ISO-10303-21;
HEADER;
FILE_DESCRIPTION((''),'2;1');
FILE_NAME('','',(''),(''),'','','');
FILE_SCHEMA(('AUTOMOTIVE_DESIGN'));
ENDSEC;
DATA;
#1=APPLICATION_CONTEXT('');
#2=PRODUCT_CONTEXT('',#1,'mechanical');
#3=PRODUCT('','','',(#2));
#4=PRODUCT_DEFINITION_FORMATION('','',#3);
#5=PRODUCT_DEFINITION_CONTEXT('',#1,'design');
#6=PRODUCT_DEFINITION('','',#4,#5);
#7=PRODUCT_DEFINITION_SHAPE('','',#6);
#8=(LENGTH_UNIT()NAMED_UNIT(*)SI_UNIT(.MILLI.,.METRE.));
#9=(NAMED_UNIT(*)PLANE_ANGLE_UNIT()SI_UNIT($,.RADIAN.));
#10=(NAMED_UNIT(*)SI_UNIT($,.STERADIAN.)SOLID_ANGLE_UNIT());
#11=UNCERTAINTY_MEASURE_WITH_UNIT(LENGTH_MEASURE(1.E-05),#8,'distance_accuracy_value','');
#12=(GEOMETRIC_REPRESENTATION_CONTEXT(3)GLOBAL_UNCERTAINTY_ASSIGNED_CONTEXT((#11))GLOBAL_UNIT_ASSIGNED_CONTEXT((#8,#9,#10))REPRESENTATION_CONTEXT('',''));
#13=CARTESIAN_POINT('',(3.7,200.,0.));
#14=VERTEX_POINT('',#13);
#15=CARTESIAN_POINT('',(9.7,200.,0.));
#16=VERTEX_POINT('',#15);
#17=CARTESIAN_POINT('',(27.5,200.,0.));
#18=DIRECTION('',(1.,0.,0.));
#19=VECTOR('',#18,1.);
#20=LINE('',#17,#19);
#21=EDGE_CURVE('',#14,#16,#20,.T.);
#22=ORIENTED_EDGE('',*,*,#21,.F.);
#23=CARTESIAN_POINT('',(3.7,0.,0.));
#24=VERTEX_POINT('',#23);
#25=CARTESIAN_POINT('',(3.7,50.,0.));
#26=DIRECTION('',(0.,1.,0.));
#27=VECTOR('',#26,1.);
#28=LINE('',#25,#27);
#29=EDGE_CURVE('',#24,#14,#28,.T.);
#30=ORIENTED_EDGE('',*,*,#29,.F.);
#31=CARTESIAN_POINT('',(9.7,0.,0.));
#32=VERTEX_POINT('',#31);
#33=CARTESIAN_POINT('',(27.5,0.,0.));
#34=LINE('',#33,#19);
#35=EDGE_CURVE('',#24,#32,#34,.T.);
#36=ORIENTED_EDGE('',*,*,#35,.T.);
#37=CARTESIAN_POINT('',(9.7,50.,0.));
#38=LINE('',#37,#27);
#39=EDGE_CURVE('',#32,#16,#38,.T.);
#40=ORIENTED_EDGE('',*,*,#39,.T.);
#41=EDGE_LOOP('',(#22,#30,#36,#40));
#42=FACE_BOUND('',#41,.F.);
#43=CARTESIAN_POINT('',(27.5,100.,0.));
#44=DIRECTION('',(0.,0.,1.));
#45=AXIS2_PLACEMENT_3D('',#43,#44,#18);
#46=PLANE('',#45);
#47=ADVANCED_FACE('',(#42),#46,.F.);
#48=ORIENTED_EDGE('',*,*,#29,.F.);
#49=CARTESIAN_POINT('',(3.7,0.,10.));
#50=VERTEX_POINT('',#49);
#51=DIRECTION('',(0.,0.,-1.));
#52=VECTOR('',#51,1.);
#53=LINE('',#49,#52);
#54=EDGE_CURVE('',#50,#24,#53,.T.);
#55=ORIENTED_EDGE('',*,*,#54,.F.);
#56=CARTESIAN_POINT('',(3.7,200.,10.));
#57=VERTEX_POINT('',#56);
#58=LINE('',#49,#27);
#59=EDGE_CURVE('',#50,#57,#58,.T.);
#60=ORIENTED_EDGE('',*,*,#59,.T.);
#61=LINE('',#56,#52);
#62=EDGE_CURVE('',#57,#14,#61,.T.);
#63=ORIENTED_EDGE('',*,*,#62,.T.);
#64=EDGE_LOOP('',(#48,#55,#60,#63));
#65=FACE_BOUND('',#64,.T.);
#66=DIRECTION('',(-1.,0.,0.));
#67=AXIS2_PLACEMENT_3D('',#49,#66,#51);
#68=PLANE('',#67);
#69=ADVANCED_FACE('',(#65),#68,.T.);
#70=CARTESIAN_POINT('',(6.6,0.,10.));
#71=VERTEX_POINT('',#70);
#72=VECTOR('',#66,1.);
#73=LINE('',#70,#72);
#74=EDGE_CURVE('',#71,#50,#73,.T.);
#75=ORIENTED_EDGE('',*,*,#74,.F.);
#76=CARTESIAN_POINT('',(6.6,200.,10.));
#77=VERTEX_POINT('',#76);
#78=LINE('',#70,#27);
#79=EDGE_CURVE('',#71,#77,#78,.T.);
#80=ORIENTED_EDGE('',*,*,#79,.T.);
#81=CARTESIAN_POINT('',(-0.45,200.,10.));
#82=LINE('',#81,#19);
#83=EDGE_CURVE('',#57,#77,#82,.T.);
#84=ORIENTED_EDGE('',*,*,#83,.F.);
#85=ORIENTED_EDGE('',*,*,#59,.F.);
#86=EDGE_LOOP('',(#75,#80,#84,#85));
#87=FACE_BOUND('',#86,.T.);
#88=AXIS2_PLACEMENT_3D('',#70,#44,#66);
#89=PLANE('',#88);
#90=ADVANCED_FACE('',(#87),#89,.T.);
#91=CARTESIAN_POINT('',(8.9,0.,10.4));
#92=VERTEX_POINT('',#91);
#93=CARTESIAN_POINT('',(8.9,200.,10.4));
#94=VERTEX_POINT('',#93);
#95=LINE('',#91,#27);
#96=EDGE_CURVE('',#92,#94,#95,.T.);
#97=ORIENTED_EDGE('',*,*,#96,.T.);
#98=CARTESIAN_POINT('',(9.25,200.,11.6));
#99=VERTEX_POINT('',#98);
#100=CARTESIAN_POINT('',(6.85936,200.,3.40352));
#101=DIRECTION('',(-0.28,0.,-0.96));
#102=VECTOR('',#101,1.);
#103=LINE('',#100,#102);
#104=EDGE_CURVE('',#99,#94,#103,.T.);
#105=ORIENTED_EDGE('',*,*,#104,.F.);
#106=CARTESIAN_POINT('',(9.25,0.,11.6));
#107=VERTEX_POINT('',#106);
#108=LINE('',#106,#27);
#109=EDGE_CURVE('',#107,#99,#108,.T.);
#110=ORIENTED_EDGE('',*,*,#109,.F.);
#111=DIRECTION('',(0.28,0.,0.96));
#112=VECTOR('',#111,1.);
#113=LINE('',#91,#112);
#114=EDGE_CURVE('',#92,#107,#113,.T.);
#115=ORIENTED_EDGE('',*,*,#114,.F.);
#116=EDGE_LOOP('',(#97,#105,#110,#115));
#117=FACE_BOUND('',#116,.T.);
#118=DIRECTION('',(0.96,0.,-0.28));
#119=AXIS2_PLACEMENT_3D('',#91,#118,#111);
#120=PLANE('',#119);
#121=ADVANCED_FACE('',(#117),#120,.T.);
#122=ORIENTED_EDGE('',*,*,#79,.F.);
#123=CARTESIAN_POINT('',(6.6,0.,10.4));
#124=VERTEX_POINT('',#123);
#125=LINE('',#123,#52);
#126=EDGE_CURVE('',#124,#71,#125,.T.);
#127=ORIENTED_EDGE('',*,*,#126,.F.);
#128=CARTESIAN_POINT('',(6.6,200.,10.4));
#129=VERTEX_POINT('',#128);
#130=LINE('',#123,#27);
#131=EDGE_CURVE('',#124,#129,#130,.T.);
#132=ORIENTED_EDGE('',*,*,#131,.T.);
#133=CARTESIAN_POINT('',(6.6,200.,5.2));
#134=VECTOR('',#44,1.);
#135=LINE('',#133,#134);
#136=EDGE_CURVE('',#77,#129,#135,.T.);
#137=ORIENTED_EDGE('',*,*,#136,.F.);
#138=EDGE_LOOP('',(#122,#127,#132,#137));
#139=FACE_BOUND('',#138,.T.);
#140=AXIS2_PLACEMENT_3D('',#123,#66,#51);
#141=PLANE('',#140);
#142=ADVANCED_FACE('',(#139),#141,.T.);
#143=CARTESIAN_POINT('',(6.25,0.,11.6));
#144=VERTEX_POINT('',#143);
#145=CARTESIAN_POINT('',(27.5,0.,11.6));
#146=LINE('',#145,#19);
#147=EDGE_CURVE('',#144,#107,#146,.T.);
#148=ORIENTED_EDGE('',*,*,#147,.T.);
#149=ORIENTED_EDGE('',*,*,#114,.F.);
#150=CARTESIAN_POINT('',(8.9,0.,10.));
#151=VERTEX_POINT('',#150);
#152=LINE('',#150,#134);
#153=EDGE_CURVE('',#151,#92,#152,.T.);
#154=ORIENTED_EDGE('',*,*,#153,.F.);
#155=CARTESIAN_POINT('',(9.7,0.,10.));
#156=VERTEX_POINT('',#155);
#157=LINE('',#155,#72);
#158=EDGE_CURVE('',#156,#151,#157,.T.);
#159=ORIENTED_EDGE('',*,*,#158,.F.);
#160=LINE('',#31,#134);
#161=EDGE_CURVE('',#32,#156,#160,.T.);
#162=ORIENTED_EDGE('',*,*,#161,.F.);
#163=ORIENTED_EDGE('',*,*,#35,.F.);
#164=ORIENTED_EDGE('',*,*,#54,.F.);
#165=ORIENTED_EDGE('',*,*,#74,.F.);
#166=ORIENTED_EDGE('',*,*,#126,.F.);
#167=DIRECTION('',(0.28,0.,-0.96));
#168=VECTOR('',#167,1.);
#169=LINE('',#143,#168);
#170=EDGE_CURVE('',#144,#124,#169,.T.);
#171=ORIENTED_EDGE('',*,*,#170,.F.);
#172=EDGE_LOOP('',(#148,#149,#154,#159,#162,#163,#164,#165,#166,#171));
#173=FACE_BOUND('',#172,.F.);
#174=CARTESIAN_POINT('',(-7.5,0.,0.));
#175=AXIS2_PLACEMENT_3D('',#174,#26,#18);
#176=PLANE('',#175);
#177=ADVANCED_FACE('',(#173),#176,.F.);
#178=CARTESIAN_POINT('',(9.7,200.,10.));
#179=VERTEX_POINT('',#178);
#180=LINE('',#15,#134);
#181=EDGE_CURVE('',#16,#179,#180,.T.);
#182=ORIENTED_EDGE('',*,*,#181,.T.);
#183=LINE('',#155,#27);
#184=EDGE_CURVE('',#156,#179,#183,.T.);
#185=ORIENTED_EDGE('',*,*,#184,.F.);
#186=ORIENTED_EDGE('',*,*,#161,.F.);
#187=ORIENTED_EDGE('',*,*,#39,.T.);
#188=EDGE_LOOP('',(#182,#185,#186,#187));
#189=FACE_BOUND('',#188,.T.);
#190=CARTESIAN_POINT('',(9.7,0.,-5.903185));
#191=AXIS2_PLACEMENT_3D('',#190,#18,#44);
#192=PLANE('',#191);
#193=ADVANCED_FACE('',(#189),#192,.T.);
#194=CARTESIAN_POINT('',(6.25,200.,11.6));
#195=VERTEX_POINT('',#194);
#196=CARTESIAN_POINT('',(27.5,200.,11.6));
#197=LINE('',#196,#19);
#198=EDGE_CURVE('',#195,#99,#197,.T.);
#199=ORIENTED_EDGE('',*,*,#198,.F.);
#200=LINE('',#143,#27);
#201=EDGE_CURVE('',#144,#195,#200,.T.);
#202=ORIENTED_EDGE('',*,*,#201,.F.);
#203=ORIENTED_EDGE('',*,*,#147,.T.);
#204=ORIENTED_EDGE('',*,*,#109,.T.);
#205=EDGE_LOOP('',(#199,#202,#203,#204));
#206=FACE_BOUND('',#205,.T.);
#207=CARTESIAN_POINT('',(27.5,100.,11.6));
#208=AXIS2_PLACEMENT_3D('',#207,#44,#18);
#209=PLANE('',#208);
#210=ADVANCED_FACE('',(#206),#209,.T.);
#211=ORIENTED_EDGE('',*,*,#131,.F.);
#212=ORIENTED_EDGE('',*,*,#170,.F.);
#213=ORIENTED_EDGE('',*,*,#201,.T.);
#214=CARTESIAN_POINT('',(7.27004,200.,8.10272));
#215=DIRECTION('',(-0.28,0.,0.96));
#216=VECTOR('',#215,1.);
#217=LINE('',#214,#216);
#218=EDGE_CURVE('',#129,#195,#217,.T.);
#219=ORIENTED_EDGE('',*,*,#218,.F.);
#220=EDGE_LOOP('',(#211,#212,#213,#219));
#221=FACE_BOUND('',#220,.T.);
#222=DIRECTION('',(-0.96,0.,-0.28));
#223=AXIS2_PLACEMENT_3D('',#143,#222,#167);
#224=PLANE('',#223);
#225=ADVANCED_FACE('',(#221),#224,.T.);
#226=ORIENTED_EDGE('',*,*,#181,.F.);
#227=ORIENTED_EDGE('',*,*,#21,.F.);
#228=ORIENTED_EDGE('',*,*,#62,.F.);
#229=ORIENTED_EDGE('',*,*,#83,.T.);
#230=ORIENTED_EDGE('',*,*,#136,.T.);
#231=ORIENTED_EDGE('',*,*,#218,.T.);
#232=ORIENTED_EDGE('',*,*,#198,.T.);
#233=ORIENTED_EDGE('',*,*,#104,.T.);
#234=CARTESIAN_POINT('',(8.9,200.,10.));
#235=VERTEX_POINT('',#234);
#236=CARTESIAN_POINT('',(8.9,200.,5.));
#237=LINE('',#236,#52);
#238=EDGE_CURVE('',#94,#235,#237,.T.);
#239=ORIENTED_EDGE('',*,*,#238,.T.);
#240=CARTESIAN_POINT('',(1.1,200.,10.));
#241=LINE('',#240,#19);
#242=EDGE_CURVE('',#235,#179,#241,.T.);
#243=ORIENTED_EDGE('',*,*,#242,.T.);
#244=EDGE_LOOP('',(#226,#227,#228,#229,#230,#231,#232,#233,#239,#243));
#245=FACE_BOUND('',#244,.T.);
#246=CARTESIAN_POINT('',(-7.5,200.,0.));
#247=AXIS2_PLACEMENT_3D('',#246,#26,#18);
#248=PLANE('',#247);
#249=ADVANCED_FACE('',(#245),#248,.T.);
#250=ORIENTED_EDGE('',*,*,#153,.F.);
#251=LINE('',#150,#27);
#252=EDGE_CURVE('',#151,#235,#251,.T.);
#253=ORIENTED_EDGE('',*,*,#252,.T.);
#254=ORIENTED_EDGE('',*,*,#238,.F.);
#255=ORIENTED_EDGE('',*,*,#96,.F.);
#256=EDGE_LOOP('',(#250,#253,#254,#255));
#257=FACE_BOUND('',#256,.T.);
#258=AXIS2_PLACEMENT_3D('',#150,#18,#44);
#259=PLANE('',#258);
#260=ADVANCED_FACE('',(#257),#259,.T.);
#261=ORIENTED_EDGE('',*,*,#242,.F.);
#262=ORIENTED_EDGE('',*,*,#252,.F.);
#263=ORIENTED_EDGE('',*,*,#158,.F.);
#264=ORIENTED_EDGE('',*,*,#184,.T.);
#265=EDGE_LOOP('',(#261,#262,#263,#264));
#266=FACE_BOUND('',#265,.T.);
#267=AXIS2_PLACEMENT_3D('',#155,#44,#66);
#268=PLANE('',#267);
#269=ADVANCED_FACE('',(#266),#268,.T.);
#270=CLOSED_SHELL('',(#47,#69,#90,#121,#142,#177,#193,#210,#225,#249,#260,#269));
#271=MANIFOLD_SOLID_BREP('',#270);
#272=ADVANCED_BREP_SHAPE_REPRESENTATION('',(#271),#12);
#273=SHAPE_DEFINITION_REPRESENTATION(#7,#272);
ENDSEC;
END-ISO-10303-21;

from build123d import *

# Parameters (mm, degrees)
BOX_W                  = 70
BOX_H                  = 200
BOX_DEPTH              = 11.6
POCKET_DEPTH           = 200.001
LINEARPATTERN_COUNT    = 5
LINEARPATTERN_PITCH    = 14.5
SKETCH_W               = 82.408782
SKETCH_H               = 38.885188
SKETCH_W_2             = 6
SKETCH_H_2             = 21.094656
POCKET001_DEPTH        = 200.001
SKETCH003_R            = 1
POCKET002_DEPTH        = 5.201
LINEARPATTERN001_COUNT = 3
LINEARPATTERN001_PITCH = 15


with BuildPart() as part:
    # Box → Box (new body)
    with BuildSketch(Plane(origin=(-7.5, 0, 0), x_dir=(1, 0, 0), z_dir=(0, 0, 1))):
        with Locations((35, 100)):
            Rectangle(BOX_W, BOX_H)
    extrude(amount=BOX_DEPTH)

    # Sketch002 → Pocket (cut, through all)
    with BuildSketch(Plane(origin=(-7.5, 0, 0), x_dir=(1, 0, 0), z_dir=(0, -1, 0))):
        Polygon((14.1, 10), (11.2, 10), (11.2, 3), (2.7, 3), (2.7, 10), (1.9, 10), (1.9, 10.4), (2.25, 11.6), (13.75, 11.6), (14.1, 10.4), align=None)
    pocket = extrude(amount=-POCKET_DEPTH, mode=Mode.SUBTRACT)

    # LinearPattern: Pocket ×5
    with Locations(*[(i * LINEARPATTERN_PITCH, 0, 0) for i in range(1, LINEARPATTERN_COUNT)]):
        add(pocket, mode=Mode.SUBTRACT)

    # Sketch → Pocket001 (cut, through all)
    with BuildSketch(Plane(origin=(-7.5, 0, 0), x_dir=(1, 0, 0), z_dir=(0, -1, 0))):
        with Locations((35.413628, 6.289411)):
            Rectangle(SKETCH_W, SKETCH_H)
        with Locations((14.2, 4.644143)):
            Rectangle(SKETCH_W_2, SKETCH_H_2, mode=Mode.SUBTRACT)
    extrude(amount=-POCKET001_DEPTH, mode=Mode.SUBTRACT)

    # Sketch003 → Pocket002 (cut, through all)
    with BuildSketch(Plane.YZ.offset(8.9)):
        with Locations((21.45, -100)):
            Circle(SKETCH003_R)
        with Locations((21.45, -10)):
            Circle(SKETCH003_R)
        with Locations((21.45, -190)):
            Circle(SKETCH003_R)
    pocket002 = extrude(amount=-POCKET002_DEPTH, mode=Mode.SUBTRACT)

    # LinearPattern001: Pocket002 ×3
    with Locations(*[(0, i * LINEARPATTERN001_PITCH, 0) for i in range(1, LINEARPATTERN001_COUNT)]):
        add(pocket002, mode=Mode.SUBTRACT)


solid = part.part
